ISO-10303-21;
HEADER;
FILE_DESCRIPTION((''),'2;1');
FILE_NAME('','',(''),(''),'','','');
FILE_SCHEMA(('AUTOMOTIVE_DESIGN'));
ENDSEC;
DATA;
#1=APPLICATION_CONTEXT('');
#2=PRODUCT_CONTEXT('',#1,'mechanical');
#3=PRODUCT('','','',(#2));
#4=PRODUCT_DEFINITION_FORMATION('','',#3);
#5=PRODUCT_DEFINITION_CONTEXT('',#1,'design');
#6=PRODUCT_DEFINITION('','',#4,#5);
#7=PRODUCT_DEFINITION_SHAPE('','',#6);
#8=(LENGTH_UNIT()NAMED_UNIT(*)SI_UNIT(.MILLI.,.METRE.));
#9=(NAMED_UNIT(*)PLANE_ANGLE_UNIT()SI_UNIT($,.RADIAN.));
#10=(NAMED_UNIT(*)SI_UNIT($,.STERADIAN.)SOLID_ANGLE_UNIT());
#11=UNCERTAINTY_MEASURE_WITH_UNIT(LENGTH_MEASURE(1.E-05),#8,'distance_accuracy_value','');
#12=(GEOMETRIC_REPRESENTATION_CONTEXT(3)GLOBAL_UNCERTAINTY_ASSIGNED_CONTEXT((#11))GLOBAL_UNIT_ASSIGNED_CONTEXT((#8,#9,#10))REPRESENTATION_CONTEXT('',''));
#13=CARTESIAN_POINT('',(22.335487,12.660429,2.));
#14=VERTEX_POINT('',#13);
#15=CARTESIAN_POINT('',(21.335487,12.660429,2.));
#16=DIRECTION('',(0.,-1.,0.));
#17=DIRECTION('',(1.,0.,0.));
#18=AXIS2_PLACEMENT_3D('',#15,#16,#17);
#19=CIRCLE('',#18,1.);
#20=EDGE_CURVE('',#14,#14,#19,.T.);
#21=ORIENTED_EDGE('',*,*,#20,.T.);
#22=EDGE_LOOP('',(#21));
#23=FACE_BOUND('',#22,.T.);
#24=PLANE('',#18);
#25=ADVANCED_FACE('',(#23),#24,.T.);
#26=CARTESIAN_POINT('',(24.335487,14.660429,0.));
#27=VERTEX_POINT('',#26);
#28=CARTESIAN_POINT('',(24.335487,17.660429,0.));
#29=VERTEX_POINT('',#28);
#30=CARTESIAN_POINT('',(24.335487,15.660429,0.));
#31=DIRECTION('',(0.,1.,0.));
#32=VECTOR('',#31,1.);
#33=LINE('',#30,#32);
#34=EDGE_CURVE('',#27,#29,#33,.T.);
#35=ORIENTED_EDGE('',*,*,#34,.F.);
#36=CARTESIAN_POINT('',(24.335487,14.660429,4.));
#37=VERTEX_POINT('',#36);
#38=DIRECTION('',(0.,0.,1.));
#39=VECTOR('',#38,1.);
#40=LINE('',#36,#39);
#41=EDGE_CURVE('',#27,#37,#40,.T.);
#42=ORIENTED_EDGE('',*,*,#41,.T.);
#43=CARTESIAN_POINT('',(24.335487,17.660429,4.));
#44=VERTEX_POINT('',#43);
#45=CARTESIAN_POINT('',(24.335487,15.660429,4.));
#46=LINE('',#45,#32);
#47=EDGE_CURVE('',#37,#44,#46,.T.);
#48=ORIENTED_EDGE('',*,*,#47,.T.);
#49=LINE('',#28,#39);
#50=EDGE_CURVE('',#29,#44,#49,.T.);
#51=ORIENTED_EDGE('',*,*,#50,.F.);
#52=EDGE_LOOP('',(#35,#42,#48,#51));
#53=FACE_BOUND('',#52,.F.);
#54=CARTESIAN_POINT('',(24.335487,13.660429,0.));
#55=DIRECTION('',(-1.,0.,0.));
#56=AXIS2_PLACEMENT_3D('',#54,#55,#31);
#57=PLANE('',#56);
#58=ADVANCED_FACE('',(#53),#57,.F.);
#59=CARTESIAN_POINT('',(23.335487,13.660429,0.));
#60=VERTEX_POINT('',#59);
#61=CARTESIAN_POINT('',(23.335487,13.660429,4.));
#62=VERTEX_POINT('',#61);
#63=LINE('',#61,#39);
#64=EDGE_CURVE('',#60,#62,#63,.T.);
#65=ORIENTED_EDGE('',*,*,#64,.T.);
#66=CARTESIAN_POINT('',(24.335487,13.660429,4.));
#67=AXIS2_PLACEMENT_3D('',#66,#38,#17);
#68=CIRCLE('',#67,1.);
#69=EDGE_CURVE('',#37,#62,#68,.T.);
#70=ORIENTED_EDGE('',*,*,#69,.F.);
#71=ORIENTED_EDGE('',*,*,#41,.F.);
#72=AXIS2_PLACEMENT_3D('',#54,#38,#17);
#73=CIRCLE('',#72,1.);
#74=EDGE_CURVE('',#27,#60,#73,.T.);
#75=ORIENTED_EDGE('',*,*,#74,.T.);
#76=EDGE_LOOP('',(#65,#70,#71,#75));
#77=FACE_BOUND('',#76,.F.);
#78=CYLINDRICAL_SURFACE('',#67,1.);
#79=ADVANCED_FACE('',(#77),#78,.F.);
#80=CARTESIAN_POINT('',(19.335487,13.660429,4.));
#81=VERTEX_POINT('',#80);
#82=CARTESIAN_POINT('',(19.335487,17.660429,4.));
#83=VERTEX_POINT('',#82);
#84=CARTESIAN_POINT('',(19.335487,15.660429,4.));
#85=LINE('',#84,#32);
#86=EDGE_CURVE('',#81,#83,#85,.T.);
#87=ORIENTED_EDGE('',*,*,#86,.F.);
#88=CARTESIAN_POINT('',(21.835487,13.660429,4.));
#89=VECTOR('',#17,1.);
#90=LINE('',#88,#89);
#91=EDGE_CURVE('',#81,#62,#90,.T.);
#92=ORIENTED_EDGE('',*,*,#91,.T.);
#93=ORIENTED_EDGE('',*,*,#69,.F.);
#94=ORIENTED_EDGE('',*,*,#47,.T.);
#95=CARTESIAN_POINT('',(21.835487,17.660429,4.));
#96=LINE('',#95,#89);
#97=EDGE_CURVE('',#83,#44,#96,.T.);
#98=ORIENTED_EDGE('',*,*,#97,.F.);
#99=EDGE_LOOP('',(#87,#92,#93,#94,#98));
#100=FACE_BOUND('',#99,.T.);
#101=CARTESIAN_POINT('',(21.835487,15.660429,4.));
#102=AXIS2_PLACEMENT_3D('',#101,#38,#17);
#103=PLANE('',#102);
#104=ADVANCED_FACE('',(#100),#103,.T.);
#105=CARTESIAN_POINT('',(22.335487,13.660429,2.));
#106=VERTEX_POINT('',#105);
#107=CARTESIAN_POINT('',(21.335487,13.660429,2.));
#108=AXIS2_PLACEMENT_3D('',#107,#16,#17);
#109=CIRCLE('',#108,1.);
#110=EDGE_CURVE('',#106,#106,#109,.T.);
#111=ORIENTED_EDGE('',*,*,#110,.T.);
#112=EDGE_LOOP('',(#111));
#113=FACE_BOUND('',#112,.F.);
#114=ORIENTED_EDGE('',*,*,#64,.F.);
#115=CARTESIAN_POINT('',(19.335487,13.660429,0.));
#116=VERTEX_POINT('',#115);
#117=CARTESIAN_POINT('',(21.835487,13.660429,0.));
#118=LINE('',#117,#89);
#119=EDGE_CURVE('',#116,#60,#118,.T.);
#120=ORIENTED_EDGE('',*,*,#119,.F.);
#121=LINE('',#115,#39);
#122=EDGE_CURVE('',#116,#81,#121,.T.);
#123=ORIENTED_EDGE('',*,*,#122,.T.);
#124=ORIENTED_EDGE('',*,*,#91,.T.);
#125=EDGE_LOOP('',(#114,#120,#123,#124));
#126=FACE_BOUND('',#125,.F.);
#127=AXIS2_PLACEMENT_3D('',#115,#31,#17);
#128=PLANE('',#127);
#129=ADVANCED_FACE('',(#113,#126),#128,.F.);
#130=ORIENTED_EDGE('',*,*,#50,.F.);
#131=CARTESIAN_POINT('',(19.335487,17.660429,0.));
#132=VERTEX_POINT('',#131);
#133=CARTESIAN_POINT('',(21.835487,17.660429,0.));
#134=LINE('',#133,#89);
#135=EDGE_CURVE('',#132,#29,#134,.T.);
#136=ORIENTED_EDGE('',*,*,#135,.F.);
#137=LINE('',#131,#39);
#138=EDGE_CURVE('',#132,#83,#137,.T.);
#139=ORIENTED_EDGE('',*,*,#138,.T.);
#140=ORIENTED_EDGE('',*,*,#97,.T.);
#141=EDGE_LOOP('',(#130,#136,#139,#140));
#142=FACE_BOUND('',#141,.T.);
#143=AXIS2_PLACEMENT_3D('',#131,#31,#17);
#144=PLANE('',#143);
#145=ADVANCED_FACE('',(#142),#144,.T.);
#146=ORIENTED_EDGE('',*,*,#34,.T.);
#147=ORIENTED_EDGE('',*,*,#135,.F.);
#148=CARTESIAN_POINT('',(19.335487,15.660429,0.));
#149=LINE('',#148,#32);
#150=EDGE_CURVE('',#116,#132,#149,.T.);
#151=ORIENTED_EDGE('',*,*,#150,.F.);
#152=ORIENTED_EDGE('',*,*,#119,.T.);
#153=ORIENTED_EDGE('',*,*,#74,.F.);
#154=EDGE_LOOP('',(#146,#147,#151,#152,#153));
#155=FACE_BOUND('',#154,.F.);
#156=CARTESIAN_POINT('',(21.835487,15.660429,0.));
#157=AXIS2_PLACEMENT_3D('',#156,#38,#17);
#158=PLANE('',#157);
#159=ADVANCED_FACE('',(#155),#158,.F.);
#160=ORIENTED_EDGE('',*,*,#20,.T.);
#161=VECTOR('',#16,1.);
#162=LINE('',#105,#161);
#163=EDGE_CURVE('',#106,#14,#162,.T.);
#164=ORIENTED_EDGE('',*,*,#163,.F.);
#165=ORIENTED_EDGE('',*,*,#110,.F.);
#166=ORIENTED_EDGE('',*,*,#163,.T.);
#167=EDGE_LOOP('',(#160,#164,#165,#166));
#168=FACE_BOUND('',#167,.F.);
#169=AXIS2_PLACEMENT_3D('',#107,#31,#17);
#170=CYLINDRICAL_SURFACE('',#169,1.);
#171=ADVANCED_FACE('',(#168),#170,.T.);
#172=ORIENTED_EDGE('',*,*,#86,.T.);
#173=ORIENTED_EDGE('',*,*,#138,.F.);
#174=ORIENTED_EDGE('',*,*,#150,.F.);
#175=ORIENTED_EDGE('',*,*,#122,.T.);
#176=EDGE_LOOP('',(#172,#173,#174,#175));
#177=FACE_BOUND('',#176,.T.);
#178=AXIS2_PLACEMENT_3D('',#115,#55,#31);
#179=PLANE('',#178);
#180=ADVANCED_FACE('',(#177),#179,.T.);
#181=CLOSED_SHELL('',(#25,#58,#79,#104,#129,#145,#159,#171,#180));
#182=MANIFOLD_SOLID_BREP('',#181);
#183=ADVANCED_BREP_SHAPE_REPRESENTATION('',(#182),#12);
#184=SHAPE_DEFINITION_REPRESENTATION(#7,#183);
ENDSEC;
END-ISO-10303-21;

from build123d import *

# Parameters (mm, degrees)
F0_W     = 5
F0_H     = 4
F1_DEPTH = 4
F2_R     = 1
F3_DEPTH = 4.1
F4_R     = 1
F5_DEPTH = 1


with BuildPart() as f1:
    # F0 (on Top) → F1 (new body)
    with BuildSketch(Plane.XY):
        with Locations((21.835487, 15.660429)):
            Rectangle(F0_W, F0_H)
    extrude(amount=F1_DEPTH)

    # F2 (on face) → F3 (cut)
    with BuildSketch(Plane.XY.offset(4)):
        with Locations((24.335487, 13.660429)):
            Circle(F2_R)
    extrude(amount=-F3_DEPTH, mode=Mode.SUBTRACT)

    # F4 (on face) → F5 (join)
    with BuildSketch(Plane.XZ.offset(-13.660429)):
        with Locations((21.335487, 2)):
            Circle(F4_R)
    extrude(amount=F5_DEPTH)


solid = f1.part
